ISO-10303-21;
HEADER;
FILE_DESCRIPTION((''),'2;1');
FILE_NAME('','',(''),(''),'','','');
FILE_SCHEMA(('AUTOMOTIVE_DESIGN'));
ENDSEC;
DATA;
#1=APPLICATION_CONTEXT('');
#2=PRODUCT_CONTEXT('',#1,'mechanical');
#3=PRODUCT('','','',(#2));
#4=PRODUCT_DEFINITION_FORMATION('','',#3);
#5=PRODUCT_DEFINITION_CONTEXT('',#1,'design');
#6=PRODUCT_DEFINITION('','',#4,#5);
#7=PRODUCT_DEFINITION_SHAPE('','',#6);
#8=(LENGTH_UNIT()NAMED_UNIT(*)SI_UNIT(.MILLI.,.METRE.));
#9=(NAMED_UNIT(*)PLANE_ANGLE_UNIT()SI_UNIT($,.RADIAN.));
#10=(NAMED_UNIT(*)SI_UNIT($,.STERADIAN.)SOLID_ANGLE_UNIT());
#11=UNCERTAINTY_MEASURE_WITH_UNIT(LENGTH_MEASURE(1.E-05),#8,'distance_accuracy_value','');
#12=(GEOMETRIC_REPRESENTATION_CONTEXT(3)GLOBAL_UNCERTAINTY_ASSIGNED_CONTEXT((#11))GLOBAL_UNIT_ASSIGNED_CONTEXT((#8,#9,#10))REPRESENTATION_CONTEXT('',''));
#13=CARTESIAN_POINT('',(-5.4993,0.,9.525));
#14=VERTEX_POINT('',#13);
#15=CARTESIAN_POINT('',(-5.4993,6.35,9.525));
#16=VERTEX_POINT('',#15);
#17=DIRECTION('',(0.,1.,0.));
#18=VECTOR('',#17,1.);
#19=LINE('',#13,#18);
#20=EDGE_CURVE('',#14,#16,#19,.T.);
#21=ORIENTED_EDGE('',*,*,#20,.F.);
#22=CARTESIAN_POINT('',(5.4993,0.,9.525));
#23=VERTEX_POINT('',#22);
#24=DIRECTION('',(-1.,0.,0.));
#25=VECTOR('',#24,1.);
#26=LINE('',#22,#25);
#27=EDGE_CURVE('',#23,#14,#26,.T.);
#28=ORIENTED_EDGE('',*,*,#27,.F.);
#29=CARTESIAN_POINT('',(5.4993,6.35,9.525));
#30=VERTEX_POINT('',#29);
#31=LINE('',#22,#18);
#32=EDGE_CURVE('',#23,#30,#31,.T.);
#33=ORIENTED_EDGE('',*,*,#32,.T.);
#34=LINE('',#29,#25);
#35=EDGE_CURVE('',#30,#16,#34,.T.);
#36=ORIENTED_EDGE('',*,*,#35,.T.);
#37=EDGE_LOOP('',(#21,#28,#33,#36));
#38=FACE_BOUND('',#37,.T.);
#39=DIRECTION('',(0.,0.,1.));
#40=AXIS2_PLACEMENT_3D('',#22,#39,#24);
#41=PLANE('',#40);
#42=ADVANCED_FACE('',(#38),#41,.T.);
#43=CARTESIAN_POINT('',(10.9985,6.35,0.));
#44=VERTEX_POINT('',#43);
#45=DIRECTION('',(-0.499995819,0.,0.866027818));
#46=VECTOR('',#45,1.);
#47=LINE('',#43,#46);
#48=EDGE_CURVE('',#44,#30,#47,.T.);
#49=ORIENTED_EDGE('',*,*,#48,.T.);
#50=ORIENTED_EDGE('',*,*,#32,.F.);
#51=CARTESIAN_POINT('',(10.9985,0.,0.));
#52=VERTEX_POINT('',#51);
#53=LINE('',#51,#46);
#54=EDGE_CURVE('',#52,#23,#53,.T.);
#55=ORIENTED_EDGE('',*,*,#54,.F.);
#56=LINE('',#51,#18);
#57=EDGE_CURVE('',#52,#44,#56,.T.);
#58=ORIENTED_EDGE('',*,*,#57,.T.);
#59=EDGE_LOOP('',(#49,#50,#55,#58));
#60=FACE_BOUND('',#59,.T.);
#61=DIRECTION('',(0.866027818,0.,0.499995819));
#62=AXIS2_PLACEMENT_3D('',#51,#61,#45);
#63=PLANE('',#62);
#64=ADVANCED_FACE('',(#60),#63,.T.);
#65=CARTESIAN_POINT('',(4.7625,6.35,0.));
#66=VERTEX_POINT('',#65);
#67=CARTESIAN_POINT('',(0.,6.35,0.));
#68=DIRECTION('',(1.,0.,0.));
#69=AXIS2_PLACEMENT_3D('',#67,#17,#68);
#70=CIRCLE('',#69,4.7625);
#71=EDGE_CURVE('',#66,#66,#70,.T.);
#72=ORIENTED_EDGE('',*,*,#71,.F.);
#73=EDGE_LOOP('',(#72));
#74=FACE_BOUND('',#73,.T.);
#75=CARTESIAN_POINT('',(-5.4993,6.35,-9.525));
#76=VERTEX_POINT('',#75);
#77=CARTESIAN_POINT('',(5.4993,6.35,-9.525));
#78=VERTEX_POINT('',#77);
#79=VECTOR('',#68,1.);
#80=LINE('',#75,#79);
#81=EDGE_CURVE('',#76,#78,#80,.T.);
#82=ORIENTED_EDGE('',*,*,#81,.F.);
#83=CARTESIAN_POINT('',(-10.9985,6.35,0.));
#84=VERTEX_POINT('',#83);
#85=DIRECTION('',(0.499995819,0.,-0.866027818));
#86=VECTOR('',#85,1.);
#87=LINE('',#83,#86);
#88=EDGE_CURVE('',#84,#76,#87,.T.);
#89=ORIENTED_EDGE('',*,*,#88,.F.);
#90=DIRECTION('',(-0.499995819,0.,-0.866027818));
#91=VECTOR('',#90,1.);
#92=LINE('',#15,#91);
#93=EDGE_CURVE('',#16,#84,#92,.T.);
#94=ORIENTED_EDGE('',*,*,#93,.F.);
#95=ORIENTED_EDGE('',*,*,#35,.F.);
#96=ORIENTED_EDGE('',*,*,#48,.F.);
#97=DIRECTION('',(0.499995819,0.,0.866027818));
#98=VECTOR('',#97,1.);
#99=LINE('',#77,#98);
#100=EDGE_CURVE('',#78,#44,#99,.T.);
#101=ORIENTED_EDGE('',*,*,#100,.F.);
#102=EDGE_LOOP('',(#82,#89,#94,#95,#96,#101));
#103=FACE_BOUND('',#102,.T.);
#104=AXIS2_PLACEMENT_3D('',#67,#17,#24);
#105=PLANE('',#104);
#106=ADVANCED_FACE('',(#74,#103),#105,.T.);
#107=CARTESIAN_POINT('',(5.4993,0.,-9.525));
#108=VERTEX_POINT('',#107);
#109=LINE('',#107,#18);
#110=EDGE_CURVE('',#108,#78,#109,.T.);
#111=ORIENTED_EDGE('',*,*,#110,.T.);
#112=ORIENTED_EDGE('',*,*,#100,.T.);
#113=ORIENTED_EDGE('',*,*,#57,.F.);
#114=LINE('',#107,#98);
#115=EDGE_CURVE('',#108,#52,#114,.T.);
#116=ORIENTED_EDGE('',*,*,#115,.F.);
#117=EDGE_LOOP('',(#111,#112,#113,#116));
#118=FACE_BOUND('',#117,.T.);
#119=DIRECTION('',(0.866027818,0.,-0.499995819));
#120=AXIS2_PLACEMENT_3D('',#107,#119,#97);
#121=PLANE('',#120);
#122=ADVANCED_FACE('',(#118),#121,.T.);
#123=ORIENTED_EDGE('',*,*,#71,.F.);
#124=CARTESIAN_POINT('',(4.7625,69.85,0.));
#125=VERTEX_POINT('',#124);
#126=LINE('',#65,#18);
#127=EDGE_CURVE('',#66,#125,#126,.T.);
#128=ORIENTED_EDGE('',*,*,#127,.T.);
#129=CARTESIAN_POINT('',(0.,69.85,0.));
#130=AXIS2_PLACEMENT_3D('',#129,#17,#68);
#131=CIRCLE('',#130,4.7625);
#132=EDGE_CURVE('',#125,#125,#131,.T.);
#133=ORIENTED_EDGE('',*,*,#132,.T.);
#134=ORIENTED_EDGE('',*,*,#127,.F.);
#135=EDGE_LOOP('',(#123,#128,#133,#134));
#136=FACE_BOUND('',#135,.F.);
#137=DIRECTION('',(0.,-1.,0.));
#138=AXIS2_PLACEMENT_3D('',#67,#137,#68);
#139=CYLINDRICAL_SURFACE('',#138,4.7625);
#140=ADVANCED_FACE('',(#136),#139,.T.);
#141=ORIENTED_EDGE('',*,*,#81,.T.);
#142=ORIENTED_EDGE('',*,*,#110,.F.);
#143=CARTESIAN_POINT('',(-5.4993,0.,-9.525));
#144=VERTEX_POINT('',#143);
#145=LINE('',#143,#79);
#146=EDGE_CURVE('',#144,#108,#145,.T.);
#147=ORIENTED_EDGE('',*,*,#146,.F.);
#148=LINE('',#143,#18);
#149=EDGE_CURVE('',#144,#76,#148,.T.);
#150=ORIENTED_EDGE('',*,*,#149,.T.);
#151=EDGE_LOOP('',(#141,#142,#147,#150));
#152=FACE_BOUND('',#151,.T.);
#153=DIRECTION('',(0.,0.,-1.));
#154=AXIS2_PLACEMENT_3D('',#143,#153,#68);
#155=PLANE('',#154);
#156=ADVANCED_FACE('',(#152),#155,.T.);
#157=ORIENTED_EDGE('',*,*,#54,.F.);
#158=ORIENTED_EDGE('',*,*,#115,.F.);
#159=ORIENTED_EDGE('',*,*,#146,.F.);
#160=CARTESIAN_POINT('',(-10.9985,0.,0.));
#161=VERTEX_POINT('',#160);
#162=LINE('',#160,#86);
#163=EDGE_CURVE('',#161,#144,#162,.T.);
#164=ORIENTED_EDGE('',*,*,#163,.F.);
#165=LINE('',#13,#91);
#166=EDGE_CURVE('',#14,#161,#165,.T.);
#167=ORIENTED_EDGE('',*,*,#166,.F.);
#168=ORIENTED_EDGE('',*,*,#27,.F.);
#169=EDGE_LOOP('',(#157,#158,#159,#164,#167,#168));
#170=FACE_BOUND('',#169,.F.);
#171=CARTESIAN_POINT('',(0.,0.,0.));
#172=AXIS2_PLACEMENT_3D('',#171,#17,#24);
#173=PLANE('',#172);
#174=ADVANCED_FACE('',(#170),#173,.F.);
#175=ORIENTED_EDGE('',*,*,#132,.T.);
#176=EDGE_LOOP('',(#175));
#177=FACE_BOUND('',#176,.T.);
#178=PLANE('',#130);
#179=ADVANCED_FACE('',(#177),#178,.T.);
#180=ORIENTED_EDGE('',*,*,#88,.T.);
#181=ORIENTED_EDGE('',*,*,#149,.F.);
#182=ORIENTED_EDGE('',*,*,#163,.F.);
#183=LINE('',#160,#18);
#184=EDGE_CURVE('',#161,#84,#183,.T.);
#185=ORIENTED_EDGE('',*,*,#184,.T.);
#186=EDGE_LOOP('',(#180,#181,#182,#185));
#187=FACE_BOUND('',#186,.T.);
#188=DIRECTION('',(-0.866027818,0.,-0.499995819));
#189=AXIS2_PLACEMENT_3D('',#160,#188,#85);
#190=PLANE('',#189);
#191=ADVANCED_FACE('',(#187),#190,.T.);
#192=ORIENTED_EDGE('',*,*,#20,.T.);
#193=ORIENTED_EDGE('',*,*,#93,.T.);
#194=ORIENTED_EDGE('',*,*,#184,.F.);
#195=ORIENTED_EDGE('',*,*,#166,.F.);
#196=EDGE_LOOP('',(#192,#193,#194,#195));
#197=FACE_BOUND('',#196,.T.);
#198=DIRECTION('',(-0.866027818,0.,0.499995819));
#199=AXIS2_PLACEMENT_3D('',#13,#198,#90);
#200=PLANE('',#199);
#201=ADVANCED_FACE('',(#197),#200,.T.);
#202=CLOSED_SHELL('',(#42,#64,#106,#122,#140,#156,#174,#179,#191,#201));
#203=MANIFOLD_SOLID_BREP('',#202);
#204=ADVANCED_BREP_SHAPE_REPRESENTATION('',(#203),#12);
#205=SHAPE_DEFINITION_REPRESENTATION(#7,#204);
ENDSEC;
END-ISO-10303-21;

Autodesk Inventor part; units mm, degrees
ref_plane "YZ Plane" through (0, 0, 0) normal (1, 0, 0) x (0, 1, 0)
ref_plane "XZ Plane" through (0, 0, 0) normal (0, 1, 0) x (-1, 0, 0)
ref_plane "XY Plane" through (0, 0, 0) normal (0, 0, 1) x (1, 0, 0)
sketch "Sketch1" plane through (0, 0, 0) normal (0, 1, 0) x (-1, 0, 0)
  line L0 (10.9985, 0) -> (5.4993, -9.525)
  line L1 (5.4993, -9.525) -> (-5.4993, -9.525)
  line L2 (-5.4993, -9.525) -> (-10.9985, 0)
  line L3 (-10.9985, 0) -> (-5.4993, 9.525)
  line L4 (-5.4993, 9.525) -> (5.4993, 9.525)
  line L5 (5.4993, 9.525) -> (10.9985, 0)
  point P0 (0, 0)
  point P1 (0, 0)
  dimension "d0" = 9.525
extrude "Extrusion1" add sketch "Sketch1" along normal blind 6.35
sketch "Sketch2" plane through (0, 6.35, 0) normal (0, 1, 0) x (1, 0, 0)
  circle A0 centre (0, 0) radius 4.7625
  dimension "d3" = 9.525
extrude "Extrusion2" add sketch "Sketch2" along normal blind 63.5
sketch "Sketch3" plane through (0, 0, 0) normal (0, -1, 0) x (1, 0, 0)
  point P0 (0, 0)
  point P1 (0, 0)
properties part number "3-8 2.5 Inch Hex Bolt"
